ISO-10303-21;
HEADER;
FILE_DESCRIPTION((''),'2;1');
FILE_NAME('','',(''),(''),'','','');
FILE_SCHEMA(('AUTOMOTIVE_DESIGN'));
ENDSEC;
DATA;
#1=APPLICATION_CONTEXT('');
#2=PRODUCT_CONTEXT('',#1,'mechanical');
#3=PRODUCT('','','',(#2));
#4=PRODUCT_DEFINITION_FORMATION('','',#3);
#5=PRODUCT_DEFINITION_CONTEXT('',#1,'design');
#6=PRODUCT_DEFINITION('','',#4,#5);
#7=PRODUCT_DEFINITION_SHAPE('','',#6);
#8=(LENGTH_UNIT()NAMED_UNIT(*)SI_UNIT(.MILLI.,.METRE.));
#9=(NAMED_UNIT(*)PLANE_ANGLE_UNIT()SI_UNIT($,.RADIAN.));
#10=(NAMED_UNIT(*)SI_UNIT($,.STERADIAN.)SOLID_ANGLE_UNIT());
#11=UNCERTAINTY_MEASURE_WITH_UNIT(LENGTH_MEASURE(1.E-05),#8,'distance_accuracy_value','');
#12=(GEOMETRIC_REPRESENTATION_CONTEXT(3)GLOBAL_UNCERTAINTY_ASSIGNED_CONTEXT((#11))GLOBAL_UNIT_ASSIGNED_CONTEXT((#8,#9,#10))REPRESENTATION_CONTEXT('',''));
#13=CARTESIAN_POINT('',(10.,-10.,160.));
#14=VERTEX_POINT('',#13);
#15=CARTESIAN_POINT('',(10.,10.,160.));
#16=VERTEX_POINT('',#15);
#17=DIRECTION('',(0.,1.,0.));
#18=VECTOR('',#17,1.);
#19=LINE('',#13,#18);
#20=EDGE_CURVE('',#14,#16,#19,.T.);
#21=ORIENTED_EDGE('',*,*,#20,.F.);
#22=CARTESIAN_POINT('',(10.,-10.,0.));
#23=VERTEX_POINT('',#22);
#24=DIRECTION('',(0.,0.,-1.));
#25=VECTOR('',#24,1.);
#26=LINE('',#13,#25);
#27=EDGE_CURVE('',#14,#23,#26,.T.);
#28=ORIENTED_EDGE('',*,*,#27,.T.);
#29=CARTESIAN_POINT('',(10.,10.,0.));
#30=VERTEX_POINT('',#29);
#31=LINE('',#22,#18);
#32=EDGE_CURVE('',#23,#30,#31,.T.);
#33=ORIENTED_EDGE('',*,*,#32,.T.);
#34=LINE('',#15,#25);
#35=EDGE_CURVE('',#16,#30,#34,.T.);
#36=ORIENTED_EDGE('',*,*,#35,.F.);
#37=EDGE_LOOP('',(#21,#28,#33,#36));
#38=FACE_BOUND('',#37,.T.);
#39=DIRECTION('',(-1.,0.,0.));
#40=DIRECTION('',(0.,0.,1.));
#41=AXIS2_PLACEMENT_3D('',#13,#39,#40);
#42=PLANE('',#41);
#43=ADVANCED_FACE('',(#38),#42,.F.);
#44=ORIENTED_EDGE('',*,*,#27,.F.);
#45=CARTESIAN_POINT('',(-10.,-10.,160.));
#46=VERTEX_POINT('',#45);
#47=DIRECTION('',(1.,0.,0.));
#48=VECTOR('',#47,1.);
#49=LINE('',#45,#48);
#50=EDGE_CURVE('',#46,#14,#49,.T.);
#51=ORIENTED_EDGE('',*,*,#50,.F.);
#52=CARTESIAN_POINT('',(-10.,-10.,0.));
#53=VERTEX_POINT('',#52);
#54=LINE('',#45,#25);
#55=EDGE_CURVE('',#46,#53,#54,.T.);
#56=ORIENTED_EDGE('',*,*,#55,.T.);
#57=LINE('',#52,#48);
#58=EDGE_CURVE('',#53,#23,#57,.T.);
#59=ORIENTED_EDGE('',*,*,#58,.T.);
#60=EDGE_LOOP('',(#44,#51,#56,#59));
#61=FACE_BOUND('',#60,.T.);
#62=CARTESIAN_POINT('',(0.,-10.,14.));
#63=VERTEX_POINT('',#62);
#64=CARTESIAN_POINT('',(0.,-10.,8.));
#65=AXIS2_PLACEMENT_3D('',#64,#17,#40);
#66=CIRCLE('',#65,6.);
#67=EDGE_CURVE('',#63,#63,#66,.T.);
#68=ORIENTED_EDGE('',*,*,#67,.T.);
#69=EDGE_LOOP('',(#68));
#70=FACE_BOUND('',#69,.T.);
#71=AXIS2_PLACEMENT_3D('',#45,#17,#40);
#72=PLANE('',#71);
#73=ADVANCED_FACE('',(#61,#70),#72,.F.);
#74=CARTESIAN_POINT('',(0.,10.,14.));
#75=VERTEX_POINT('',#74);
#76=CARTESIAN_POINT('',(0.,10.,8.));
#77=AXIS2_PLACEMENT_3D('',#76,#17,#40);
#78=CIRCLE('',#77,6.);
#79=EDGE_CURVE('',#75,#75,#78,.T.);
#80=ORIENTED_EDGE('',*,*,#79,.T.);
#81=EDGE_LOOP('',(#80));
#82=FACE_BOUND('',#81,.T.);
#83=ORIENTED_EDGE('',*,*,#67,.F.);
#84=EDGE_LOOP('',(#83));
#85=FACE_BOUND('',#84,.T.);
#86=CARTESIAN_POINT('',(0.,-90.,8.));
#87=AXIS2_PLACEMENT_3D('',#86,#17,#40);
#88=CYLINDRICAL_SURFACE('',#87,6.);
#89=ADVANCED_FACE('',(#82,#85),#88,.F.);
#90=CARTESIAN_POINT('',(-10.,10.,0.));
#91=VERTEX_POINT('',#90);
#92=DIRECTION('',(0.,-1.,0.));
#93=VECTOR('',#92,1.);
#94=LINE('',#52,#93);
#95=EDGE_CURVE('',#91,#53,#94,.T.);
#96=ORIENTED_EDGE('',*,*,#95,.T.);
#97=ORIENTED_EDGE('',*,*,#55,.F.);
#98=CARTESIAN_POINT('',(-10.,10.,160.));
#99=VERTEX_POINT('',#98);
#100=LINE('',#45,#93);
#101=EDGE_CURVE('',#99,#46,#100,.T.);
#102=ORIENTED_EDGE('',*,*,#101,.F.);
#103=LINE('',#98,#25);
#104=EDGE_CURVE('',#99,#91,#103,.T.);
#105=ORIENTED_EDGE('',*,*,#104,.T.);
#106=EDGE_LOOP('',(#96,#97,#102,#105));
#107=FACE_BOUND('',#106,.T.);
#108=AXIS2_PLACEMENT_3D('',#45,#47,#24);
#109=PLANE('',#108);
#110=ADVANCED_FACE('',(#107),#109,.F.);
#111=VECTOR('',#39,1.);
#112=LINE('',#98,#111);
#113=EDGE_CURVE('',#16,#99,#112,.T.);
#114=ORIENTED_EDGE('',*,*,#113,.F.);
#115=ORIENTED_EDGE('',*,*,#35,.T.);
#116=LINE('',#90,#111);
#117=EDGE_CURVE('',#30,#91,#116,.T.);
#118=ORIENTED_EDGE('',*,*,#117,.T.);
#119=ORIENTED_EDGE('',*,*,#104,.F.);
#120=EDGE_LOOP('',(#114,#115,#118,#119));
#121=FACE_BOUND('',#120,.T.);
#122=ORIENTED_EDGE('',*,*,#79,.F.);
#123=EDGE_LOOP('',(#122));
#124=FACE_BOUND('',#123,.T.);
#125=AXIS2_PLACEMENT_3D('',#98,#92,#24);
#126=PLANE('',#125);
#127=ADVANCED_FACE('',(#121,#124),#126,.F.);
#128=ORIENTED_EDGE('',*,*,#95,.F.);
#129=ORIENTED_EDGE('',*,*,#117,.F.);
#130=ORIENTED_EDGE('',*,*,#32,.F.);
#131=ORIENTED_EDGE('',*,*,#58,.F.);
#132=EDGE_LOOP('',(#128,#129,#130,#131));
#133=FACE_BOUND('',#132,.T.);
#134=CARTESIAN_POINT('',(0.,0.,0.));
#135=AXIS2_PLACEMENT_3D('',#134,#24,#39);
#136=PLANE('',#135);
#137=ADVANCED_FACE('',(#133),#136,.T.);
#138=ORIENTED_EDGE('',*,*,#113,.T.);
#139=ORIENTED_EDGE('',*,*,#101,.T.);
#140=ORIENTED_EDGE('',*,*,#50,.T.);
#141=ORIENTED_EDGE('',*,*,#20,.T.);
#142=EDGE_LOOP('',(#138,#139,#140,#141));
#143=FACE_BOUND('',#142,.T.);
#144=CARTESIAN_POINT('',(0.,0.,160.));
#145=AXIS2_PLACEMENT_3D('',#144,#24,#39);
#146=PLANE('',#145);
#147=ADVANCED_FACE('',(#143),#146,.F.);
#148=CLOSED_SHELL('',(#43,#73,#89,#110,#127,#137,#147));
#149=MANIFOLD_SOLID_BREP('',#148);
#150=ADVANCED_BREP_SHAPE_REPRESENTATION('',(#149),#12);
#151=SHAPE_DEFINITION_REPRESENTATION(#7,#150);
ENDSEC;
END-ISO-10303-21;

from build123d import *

# Parameters (mm, degrees)
SKETCH1_W           = 20
SKETCH1_H           = 20
BOSS_EXTRUDE1_DEPTH = 160
SKETCH2_R           = 6
CUT_EXTRUDE1_DEPTH  = 100


with BuildPart() as part:
    # Sketch1 → Boss-Extrude1 (new body)
    with BuildSketch(Plane.XY):
        Rectangle(SKETCH1_W, SKETCH1_H)
    extrude(amount=BOSS_EXTRUDE1_DEPTH)

    # Sketch2 → Cut-Extrude1 (cut)
    with BuildSketch(Plane(origin=(0, 10, 0), x_dir=(1, 0, 0), z_dir=(0, 1, 0))):
        with Locations(Location((0, -8, 0), (0, 0, 270))):
            Circle(SKETCH2_R)
    extrude(amount=-CUT_EXTRUDE1_DEPTH, mode=Mode.SUBTRACT)


solid = part.part
